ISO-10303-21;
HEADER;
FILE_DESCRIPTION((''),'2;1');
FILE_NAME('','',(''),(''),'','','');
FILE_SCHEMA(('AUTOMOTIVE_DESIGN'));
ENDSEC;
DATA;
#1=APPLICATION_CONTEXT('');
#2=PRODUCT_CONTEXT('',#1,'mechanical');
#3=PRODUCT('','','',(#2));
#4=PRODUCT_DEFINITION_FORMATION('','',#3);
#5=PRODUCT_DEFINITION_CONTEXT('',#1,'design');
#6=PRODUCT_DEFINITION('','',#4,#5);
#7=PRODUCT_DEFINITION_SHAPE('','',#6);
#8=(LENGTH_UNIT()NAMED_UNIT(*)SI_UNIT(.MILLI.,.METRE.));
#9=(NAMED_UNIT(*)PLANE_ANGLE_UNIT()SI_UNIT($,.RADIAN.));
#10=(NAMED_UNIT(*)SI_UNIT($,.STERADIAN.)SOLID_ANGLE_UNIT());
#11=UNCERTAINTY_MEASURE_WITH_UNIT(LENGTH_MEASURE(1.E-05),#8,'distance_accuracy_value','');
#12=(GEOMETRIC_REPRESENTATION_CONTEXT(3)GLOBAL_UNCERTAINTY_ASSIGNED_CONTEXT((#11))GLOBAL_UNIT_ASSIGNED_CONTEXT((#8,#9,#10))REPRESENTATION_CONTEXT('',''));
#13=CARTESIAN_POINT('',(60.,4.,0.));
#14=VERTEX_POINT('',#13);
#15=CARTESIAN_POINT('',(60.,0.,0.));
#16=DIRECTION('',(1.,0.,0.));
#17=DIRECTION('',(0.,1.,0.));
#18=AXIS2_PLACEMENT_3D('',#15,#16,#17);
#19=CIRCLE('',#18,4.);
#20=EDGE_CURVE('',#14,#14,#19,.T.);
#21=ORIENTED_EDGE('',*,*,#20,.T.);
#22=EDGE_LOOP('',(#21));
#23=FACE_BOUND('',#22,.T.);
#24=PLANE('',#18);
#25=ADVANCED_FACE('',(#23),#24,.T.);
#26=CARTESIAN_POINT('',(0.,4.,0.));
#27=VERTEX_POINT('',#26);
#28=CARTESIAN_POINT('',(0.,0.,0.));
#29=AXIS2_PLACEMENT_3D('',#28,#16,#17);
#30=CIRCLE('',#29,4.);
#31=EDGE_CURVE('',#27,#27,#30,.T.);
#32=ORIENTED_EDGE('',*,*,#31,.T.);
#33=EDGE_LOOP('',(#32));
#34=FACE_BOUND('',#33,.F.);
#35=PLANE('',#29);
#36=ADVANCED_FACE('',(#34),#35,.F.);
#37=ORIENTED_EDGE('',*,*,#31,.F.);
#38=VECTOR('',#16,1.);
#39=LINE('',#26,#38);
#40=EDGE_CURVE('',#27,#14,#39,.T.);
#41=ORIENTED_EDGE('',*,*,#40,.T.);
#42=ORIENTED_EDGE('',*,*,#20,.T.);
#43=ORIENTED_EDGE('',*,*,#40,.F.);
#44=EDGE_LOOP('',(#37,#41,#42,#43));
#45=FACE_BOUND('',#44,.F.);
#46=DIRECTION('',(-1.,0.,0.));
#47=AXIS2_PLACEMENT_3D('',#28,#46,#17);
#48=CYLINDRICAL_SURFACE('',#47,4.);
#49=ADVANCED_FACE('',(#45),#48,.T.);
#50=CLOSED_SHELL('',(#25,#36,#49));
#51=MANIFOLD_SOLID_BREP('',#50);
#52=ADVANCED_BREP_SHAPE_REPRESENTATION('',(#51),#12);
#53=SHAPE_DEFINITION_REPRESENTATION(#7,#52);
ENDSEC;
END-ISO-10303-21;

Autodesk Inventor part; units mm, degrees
ref_plane "YZ Plane" through (0, 0, 0) normal (1, 0, 0) x (0, 1, 0)
ref_plane "XZ Plane" through (0, 0, 0) normal (0, 1, 0) x (-1, 0, 0)
ref_plane "XY Plane" through (0, 0, 0) normal (0, 0, 1) x (1, 0, 0)
sketch "Rascunho1" plane through (0, 0, 0) normal (1, 0, 0) x (0, 1, 0)
  circle A0 centre (0, 0) radius 4
  dimension "d1" = 8
extrude "Corpo" add sketch "Rascunho1" along normal blind 60
equation "\"d1\" = NND"
equation "\"d2\" = NLG"
equation "\"NND\" = 8"
equation "\"NLG\" = 60"
properties part number "ISO 2338 - 8 h11 x 60 - C" material "Aço inoxidável, austenítico"
